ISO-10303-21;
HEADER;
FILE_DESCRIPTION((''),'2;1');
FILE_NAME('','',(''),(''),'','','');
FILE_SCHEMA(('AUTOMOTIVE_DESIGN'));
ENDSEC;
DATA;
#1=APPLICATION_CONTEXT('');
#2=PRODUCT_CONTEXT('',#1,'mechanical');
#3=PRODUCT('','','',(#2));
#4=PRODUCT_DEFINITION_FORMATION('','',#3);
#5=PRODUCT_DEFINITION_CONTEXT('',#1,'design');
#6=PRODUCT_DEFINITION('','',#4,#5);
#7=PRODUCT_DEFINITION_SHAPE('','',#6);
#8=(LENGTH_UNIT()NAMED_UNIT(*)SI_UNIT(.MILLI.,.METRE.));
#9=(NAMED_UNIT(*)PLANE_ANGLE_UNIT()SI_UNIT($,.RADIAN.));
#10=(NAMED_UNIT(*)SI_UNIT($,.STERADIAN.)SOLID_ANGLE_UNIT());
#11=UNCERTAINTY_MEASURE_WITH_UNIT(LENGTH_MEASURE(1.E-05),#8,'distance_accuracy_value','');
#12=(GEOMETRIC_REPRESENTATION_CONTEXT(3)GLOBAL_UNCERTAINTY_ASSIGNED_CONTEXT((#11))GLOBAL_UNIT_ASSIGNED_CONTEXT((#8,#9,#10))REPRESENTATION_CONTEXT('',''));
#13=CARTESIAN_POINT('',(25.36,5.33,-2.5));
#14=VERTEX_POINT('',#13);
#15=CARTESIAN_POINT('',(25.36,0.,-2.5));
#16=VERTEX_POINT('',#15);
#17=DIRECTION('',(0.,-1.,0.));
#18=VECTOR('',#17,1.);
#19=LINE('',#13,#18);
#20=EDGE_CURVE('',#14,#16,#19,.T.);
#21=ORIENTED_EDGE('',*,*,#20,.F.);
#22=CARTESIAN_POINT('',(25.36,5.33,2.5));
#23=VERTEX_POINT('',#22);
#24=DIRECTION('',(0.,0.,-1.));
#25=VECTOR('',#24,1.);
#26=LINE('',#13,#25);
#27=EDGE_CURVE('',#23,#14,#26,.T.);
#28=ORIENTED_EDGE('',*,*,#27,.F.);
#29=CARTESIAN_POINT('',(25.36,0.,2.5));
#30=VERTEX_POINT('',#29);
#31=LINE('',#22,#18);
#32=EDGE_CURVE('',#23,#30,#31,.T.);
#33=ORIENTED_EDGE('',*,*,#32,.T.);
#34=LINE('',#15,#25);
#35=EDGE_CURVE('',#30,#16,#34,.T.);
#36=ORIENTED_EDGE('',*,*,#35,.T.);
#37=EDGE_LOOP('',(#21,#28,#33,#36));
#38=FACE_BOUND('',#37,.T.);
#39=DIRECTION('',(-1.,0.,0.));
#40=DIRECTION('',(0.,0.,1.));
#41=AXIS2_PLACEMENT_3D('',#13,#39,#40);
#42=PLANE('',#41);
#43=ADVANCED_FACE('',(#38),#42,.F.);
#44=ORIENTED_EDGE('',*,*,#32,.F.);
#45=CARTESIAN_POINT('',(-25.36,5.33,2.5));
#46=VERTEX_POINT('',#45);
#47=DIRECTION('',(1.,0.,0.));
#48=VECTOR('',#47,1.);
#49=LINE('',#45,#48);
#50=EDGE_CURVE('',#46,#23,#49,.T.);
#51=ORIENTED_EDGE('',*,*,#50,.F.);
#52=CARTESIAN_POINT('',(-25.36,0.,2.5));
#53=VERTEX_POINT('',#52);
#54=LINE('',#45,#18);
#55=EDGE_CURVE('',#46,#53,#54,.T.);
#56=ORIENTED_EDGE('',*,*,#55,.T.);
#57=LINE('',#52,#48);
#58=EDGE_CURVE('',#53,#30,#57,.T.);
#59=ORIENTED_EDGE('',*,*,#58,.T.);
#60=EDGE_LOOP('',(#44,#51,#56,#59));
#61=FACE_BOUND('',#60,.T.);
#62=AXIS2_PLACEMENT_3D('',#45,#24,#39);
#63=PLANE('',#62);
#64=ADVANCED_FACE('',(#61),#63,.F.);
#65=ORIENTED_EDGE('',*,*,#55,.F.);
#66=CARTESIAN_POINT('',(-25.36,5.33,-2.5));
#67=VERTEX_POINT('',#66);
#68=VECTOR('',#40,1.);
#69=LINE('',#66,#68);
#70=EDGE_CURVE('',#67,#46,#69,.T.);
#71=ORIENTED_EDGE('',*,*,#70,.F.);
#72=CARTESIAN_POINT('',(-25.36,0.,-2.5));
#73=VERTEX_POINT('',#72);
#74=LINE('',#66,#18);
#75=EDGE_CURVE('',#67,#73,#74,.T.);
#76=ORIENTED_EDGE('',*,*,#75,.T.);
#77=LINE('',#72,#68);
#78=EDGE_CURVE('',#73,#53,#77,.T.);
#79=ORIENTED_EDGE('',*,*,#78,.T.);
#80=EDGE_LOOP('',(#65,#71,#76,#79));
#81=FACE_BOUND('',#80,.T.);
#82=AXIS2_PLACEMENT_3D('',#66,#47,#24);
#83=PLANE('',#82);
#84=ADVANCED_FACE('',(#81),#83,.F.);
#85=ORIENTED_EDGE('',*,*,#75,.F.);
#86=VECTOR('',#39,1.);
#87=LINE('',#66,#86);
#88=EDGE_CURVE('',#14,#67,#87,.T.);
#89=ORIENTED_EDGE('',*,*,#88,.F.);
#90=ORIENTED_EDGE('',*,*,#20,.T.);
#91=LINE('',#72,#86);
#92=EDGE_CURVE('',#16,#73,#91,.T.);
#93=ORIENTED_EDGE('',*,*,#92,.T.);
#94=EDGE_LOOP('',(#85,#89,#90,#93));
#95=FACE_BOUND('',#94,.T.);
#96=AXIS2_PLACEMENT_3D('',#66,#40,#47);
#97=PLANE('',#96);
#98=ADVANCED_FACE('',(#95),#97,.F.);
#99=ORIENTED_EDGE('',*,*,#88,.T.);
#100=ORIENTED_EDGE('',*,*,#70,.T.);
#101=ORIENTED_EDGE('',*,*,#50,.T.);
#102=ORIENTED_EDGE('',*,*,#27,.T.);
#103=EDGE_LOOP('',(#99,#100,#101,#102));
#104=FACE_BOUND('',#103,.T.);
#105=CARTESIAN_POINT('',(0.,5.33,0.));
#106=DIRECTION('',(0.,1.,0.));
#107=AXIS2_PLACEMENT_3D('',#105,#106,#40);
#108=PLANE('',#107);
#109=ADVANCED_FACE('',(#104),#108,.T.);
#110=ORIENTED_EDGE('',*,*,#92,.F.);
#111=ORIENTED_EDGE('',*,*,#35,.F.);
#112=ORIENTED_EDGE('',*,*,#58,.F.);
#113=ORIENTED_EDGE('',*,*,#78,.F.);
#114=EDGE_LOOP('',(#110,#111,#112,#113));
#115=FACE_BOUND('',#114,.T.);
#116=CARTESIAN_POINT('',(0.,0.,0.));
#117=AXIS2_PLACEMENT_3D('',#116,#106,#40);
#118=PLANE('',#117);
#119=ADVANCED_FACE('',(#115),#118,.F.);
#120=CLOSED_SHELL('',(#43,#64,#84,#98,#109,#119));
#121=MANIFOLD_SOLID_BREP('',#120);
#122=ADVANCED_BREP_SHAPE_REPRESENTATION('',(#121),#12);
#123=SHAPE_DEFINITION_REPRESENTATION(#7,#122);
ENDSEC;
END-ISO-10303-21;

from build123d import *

# Parameters (mm, degrees)
CROQUIS1_W              = 50.72
CROQUIS1_H              = 5
SALIENTE_EXTRUIR1_DEPTH = 5.33


with BuildPart() as part:
    # Croquis1 → Saliente-Extruir1 (new body)
    with BuildSketch(Plane(origin=(0, 0, 0), x_dir=(1, 0, 0), z_dir=(0, 1, 0))):
        Rectangle(CROQUIS1_W, CROQUIS1_H)
    extrude(amount=SALIENTE_EXTRUIR1_DEPTH)


solid = part.part
